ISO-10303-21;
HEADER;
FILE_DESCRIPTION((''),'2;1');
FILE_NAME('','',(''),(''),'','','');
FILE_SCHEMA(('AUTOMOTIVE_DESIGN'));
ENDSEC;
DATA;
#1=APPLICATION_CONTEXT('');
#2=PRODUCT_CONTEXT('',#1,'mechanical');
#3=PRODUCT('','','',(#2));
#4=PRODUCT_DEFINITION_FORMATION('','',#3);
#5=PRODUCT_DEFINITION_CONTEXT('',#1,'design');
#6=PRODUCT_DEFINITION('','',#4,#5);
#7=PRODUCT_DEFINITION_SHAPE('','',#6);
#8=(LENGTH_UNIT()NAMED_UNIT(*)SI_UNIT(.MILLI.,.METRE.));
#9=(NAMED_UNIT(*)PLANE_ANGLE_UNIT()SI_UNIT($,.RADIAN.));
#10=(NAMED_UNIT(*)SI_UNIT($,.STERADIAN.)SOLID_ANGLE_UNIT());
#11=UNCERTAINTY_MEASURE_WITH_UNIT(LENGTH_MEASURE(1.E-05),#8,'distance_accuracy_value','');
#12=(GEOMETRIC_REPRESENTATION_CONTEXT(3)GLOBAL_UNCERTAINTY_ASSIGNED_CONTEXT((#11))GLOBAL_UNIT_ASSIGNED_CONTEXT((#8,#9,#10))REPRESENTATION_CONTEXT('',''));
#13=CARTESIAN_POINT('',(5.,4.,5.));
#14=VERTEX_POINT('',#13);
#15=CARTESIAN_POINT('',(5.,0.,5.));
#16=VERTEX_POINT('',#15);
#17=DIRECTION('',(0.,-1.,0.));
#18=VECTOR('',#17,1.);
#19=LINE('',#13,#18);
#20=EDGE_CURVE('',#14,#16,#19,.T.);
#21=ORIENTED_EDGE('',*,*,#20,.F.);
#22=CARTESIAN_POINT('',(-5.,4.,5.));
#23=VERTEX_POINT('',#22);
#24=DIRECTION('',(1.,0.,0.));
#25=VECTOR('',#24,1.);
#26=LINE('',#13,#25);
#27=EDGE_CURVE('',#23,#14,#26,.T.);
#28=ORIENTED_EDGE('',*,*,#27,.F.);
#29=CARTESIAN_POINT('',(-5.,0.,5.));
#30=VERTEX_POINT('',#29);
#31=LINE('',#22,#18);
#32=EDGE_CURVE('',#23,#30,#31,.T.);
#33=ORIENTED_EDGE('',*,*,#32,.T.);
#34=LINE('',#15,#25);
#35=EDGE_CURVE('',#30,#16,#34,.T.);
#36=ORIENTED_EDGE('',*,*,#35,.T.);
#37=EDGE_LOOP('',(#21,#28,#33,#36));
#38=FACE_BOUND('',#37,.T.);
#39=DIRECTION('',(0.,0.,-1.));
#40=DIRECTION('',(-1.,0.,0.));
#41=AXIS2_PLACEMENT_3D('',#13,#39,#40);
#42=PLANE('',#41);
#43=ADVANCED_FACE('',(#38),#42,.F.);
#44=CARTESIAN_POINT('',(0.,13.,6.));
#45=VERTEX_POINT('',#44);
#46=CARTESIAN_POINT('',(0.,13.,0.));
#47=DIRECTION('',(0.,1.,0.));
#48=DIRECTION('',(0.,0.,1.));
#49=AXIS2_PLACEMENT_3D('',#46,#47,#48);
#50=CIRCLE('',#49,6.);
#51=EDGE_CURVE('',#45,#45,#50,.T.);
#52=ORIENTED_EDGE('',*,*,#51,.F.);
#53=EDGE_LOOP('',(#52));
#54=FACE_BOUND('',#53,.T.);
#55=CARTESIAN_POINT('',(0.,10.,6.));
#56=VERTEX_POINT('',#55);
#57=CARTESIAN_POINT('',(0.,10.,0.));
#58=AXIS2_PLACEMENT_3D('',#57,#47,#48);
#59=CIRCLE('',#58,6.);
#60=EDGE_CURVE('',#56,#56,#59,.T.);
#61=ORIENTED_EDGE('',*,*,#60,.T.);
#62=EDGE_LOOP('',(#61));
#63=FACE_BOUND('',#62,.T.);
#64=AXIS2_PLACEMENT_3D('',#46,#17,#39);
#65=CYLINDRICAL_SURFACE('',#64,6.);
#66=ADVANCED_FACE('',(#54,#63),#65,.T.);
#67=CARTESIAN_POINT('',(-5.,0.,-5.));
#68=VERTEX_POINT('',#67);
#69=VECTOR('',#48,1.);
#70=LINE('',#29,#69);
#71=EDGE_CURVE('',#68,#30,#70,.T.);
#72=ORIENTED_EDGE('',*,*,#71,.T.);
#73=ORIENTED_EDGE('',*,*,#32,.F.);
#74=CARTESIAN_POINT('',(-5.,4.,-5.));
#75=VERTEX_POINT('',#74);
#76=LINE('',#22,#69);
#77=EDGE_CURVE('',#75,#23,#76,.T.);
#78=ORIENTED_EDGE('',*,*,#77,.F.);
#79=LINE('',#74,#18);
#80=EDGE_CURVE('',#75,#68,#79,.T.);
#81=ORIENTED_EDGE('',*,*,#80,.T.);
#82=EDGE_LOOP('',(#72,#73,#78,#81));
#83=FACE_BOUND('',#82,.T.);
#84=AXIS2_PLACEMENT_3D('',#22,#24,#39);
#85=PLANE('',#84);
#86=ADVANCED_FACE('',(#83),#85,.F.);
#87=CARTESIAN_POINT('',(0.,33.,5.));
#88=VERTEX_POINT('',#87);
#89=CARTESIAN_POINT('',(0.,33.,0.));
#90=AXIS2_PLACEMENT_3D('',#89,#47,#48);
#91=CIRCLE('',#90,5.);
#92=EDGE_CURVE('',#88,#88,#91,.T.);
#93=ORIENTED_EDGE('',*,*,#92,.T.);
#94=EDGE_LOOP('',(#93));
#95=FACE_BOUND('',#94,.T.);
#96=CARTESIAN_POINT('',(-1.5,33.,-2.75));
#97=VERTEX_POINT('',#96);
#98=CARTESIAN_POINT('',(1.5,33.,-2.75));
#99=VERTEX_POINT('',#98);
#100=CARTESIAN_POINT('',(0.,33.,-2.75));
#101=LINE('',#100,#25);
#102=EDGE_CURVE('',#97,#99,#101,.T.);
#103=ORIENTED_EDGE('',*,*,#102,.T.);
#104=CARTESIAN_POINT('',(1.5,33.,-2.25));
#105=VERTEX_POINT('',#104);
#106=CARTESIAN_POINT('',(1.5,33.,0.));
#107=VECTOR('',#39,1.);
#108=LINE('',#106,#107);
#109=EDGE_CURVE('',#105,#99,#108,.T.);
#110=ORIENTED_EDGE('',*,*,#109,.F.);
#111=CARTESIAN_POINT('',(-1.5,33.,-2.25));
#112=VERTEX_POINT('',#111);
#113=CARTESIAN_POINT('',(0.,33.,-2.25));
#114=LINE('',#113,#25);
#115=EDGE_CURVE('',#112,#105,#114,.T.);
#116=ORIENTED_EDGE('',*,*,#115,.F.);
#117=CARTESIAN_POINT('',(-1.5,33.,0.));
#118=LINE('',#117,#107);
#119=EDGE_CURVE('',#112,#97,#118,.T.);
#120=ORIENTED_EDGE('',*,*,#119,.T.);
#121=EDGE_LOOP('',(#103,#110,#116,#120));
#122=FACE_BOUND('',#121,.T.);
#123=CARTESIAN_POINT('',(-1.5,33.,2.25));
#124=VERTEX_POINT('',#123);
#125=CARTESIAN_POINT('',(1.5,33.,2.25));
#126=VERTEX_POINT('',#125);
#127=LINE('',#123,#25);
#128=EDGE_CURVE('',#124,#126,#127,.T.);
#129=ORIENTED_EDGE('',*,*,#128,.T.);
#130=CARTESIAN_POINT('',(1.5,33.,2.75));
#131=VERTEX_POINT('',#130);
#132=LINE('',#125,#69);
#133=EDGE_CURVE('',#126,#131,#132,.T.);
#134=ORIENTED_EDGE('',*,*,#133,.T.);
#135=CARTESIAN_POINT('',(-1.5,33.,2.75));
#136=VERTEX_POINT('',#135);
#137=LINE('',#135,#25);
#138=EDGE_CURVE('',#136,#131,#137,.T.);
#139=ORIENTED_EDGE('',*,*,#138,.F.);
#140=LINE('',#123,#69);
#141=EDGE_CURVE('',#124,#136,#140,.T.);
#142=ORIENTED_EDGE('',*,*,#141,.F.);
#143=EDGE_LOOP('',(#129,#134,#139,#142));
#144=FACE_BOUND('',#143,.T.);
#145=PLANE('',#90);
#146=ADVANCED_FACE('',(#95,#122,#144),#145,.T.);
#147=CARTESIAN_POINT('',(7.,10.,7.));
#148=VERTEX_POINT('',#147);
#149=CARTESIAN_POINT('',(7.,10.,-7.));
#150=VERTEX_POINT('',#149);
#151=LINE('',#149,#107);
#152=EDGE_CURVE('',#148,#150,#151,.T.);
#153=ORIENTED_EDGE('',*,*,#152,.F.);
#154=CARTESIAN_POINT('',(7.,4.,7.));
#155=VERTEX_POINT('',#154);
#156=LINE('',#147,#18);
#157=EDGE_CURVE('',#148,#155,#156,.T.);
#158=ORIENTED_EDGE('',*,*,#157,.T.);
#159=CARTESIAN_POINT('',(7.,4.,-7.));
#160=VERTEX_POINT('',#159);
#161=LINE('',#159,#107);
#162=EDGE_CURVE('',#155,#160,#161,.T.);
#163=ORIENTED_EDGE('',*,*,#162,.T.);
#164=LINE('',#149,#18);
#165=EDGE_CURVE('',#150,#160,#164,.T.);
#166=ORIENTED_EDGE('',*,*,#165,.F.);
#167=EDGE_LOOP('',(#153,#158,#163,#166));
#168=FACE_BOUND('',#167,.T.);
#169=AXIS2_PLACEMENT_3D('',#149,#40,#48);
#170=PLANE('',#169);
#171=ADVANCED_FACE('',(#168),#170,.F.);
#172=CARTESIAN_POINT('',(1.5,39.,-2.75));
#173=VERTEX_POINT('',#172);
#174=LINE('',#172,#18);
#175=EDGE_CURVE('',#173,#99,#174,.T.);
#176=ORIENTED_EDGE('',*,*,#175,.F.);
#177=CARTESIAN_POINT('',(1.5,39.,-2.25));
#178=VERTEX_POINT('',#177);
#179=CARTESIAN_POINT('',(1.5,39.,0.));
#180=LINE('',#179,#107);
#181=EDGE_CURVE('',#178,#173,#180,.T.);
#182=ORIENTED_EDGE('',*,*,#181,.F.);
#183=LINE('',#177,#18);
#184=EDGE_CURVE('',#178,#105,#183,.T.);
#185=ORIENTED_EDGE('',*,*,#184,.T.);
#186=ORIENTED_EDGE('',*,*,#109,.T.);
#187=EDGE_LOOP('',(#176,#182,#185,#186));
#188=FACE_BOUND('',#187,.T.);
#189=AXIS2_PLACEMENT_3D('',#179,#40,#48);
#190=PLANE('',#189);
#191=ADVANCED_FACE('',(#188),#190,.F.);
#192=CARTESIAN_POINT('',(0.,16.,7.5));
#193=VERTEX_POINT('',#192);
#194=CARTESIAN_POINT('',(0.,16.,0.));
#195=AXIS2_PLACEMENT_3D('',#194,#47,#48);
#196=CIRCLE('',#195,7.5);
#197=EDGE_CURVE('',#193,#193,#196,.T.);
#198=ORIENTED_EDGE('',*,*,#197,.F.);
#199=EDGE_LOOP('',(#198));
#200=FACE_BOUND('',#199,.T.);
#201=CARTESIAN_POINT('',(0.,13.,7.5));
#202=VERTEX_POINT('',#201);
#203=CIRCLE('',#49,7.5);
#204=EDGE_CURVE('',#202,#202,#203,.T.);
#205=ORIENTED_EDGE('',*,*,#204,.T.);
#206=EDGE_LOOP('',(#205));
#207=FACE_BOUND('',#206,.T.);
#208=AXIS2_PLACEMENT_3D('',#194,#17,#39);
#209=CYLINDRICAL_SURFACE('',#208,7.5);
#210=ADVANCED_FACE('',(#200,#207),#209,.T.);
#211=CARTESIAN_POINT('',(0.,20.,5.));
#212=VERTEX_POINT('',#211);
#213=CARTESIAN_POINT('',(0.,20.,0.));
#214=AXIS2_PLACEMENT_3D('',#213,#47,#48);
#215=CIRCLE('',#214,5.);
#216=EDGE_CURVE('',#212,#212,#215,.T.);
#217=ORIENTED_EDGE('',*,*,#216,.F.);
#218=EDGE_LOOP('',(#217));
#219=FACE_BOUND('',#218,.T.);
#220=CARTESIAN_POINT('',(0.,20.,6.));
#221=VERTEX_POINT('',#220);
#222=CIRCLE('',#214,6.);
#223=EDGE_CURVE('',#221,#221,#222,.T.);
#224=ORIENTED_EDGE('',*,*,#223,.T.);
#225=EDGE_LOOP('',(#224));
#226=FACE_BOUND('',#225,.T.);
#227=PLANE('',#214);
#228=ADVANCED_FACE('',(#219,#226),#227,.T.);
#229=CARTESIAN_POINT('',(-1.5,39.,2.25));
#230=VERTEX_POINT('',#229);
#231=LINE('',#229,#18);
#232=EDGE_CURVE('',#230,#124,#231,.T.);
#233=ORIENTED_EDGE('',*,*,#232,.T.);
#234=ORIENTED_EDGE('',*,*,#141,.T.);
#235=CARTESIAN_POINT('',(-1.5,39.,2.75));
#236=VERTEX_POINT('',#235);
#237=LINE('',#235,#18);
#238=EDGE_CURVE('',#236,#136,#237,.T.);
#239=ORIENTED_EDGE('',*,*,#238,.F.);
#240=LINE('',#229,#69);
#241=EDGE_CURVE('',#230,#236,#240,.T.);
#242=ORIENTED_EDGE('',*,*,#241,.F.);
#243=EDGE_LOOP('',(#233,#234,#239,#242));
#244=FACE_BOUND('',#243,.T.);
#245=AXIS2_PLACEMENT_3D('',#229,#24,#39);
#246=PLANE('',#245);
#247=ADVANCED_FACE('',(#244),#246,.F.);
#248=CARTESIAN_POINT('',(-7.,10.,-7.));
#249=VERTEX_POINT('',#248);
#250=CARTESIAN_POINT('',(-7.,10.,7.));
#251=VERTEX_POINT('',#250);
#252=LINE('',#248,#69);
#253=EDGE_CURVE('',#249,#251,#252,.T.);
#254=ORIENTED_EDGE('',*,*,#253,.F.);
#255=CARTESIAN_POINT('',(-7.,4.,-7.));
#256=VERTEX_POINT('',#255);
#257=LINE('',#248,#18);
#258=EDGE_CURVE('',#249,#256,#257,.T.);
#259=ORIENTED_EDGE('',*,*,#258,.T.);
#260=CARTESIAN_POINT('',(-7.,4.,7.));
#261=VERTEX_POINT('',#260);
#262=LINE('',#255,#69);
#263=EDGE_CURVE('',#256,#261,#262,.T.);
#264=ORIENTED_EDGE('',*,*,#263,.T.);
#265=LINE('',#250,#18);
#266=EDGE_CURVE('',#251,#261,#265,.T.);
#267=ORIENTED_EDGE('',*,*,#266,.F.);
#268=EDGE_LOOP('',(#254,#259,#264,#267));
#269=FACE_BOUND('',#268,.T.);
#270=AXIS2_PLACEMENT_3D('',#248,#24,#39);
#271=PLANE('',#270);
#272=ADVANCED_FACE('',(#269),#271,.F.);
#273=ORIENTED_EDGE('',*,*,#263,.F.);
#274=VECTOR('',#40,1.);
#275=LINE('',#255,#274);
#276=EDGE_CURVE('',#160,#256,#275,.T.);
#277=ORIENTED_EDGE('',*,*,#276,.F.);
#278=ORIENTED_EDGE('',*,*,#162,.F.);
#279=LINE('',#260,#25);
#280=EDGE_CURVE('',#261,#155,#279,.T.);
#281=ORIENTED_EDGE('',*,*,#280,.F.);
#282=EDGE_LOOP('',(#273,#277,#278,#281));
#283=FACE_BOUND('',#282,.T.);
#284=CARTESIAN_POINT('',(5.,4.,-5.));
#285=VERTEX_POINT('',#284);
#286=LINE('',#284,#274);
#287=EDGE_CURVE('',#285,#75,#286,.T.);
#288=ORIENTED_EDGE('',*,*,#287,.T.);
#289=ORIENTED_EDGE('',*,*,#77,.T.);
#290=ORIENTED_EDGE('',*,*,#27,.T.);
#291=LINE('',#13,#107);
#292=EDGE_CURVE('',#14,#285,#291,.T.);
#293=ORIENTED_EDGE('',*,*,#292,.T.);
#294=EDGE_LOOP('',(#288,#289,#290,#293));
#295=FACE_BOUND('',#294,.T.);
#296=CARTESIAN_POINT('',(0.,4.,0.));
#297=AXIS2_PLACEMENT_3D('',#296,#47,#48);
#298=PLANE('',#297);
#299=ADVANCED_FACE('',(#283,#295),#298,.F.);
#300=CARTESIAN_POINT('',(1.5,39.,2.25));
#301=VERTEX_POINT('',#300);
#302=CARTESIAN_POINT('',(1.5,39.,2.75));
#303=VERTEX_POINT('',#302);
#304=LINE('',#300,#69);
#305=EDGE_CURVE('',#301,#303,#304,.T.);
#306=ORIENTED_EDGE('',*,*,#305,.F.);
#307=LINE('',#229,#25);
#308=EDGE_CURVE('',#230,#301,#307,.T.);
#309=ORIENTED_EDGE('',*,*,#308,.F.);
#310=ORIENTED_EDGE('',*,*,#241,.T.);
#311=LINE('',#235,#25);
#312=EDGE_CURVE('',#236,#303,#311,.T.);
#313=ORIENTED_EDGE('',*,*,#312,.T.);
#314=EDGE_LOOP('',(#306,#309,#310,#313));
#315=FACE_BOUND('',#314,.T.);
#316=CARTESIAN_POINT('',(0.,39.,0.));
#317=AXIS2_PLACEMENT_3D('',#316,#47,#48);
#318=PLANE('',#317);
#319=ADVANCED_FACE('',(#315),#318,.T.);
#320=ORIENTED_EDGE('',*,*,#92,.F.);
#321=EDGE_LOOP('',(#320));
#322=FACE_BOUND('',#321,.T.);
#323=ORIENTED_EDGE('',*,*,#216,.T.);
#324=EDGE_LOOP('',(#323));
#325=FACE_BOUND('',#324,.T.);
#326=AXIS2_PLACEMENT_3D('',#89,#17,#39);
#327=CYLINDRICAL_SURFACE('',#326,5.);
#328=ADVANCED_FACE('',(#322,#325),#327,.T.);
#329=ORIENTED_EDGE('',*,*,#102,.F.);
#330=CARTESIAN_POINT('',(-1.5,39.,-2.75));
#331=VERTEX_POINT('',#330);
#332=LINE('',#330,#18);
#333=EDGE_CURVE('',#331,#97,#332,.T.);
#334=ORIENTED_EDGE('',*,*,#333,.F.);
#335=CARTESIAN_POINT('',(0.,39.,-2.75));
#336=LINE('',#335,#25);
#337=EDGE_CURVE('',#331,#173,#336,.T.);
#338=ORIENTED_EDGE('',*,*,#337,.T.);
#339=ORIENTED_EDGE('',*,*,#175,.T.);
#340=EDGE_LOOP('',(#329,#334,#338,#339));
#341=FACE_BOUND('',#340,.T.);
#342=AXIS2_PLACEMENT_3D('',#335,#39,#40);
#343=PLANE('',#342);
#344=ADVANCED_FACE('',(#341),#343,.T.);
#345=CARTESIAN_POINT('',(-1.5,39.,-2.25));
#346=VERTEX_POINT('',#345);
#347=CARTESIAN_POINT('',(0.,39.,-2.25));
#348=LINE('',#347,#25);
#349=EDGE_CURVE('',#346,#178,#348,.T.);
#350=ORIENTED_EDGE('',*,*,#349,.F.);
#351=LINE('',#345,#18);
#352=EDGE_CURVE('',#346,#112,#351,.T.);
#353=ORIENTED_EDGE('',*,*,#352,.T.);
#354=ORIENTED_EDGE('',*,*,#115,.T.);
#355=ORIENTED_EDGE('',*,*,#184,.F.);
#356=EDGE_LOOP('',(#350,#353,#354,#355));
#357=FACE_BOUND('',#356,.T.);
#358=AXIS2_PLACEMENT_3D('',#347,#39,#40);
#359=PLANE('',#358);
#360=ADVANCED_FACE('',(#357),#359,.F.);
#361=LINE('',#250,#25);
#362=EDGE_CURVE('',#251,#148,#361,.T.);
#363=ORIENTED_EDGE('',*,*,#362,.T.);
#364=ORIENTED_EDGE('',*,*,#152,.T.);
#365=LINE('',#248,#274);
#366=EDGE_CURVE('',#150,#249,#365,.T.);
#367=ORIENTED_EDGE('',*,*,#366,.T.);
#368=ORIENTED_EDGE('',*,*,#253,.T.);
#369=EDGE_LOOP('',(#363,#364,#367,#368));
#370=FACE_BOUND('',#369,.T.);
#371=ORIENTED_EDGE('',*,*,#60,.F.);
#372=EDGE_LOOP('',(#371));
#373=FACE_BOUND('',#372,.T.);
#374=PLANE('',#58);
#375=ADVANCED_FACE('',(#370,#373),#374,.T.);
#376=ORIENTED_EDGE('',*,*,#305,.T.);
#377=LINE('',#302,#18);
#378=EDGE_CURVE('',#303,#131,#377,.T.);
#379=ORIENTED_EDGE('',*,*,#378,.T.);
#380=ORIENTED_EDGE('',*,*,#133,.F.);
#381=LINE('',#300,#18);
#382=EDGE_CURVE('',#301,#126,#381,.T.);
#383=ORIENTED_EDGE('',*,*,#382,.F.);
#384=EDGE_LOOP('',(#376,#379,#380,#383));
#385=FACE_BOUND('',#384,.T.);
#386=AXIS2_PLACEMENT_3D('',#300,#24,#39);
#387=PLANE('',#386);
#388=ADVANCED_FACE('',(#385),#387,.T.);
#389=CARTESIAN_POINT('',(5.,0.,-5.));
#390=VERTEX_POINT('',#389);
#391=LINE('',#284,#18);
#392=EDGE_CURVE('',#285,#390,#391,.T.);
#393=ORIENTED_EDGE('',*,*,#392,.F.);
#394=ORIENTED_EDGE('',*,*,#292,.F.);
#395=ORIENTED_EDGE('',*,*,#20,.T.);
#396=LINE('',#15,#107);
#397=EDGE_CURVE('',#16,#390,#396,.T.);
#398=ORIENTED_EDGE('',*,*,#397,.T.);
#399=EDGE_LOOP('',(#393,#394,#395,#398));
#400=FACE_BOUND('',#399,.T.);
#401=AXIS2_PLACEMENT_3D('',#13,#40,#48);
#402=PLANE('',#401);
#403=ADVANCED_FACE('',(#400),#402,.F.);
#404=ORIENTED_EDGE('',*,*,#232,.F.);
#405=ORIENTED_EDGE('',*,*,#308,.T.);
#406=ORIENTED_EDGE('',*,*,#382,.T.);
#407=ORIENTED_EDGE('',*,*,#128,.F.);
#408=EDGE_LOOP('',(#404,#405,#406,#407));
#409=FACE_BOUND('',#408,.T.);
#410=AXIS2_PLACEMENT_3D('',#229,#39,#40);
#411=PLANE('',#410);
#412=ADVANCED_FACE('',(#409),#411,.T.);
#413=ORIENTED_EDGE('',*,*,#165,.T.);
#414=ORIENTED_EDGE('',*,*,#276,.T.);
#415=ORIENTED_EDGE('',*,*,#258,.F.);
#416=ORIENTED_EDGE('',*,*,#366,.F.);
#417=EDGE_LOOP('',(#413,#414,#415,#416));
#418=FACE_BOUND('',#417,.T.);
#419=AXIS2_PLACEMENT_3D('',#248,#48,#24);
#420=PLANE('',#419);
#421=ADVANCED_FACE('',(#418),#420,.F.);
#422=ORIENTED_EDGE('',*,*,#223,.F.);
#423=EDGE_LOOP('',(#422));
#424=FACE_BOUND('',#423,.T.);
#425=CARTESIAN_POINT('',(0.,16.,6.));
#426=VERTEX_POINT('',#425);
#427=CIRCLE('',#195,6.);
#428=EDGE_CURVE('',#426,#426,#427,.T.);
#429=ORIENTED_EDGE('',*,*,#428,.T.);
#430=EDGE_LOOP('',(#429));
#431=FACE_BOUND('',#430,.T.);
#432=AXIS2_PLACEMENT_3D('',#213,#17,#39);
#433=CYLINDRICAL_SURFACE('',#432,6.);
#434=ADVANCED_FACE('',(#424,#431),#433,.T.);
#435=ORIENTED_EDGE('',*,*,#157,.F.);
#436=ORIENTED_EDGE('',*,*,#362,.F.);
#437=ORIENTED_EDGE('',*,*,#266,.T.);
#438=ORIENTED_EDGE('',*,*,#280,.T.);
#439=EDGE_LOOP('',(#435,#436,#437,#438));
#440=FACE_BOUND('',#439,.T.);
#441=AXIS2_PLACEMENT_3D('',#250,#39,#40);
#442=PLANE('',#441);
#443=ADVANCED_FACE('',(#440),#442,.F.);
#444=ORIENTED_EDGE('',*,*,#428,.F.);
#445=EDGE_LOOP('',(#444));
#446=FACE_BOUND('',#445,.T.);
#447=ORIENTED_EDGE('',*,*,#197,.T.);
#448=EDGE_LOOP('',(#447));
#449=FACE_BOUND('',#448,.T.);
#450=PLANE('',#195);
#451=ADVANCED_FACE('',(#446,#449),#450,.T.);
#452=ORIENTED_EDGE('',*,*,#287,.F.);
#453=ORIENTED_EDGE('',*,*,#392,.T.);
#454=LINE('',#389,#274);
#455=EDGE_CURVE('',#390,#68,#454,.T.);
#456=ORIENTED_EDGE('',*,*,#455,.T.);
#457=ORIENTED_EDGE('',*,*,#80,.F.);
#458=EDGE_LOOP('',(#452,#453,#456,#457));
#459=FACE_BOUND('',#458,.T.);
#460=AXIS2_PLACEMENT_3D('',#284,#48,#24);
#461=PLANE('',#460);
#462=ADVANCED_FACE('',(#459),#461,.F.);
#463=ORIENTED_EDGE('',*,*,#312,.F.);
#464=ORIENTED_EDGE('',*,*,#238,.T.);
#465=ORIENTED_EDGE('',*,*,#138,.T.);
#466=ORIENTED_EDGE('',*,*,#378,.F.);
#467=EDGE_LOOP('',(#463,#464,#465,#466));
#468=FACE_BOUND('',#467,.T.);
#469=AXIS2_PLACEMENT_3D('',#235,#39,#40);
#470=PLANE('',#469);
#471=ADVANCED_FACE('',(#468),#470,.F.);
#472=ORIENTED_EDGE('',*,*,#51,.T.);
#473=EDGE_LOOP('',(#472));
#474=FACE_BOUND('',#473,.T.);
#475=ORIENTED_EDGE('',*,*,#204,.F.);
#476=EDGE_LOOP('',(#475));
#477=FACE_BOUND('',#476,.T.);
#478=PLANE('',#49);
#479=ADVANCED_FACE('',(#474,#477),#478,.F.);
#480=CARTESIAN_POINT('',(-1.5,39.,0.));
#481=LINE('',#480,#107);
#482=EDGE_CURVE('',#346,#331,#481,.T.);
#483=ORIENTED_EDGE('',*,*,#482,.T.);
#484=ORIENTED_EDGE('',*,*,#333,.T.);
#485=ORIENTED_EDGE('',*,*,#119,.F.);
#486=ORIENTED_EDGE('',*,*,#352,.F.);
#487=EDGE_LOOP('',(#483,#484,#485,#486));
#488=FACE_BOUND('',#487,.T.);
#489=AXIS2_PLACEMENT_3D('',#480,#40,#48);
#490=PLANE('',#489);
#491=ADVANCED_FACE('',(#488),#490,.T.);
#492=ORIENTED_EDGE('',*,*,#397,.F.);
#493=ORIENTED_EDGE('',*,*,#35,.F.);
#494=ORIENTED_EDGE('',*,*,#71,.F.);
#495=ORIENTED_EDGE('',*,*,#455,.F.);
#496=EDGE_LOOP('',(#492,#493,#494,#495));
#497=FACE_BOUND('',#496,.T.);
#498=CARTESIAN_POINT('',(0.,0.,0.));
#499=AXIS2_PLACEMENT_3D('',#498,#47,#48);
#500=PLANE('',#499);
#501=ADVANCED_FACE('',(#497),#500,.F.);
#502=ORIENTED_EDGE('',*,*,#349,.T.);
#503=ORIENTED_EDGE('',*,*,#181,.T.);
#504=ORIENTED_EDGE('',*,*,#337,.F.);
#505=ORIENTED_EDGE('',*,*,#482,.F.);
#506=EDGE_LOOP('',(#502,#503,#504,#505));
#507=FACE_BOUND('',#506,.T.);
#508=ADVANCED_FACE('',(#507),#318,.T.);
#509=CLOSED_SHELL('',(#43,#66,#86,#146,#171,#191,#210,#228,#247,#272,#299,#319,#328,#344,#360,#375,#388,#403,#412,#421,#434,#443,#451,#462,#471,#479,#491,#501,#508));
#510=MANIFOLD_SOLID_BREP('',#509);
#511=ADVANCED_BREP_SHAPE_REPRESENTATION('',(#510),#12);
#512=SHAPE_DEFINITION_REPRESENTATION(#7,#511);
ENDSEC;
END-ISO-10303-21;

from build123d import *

# Parameters (mm, degrees)
SKETCH1_W           = 10
SKETCH1_H           = 10
BOSS_EXTRUDE1_DEPTH = 4
SKETCH2_W           = 14
SKETCH2_H           = 14
BOSS_EXTRUDE2_DEPTH = 6
SKETCH3_R           = 6
BOSS_EXTRUDE3_DEPTH = 3
SKETCH4_R           = 7.5
BOSS_EXTRUDE4_DEPTH = 3
SKETCH5_R           = 6
BOSS_EXTRUDE5_DEPTH = 4
SKETCH6_R           = 5
BOSS_EXTRUDE6_DEPTH = 13
SKETCH7_W           = 3
SKETCH7_H           = 0.5
BOSS_EXTRUDE7_DEPTH = 6


with BuildPart() as part:
    # Sketch1 → Boss-Extrude1 (new body)
    with BuildSketch(Plane(origin=(0, 0, 0), x_dir=(1, 0, 0), z_dir=(0, 1, 0))):
        Rectangle(SKETCH1_W, SKETCH1_H)
    extrude(amount=BOSS_EXTRUDE1_DEPTH)

    # Sketch2 → Boss-Extrude2 (add)
    with BuildSketch(Plane(origin=(0, 4, 0), x_dir=(1, 0, 0), z_dir=(0, 1, 0))):
        Rectangle(SKETCH2_W, SKETCH2_H)
    extrude(amount=BOSS_EXTRUDE2_DEPTH)

    # Sketch3 → Boss-Extrude3 (add)
    with BuildSketch(Plane(origin=(0, 10, 0), x_dir=(1, 0, 0), z_dir=(0, 1, 0))):
        Circle(SKETCH3_R)
    extrude(amount=BOSS_EXTRUDE3_DEPTH)

    # Sketch4 → Boss-Extrude4 (add)
    with BuildSketch(Plane(origin=(0, 13, 0), x_dir=(1, 0, 0), z_dir=(0, 1, 0))):
        Circle(SKETCH4_R)
    extrude(amount=BOSS_EXTRUDE4_DEPTH)

    # Sketch5 → Boss-Extrude5 (add)
    with BuildSketch(Plane(origin=(0, 16, 0), x_dir=(1, 0, 0), z_dir=(0, 1, 0))):
        Circle(SKETCH5_R)
    extrude(amount=BOSS_EXTRUDE5_DEPTH)

    # Sketch6 → Boss-Extrude6 (add)
    with BuildSketch(Plane(origin=(0, 20, 0), x_dir=(1, 0, 0), z_dir=(0, 1, 0))):
        Circle(SKETCH6_R)
    extrude(amount=BOSS_EXTRUDE6_DEPTH)

    # Sketch7 → Boss-Extrude7 (add)
    with BuildSketch(Plane(origin=(0, 33, 0), x_dir=(1, 0, 0), z_dir=(0, 1, 0))):
        with Locations((0, -2.5)):
            Rectangle(SKETCH7_W, SKETCH7_H)
        with Locations((0, 2.5)):
            Rectangle(SKETCH7_W, SKETCH7_H)
    extrude(amount=BOSS_EXTRUDE7_DEPTH)


solid = part.part
